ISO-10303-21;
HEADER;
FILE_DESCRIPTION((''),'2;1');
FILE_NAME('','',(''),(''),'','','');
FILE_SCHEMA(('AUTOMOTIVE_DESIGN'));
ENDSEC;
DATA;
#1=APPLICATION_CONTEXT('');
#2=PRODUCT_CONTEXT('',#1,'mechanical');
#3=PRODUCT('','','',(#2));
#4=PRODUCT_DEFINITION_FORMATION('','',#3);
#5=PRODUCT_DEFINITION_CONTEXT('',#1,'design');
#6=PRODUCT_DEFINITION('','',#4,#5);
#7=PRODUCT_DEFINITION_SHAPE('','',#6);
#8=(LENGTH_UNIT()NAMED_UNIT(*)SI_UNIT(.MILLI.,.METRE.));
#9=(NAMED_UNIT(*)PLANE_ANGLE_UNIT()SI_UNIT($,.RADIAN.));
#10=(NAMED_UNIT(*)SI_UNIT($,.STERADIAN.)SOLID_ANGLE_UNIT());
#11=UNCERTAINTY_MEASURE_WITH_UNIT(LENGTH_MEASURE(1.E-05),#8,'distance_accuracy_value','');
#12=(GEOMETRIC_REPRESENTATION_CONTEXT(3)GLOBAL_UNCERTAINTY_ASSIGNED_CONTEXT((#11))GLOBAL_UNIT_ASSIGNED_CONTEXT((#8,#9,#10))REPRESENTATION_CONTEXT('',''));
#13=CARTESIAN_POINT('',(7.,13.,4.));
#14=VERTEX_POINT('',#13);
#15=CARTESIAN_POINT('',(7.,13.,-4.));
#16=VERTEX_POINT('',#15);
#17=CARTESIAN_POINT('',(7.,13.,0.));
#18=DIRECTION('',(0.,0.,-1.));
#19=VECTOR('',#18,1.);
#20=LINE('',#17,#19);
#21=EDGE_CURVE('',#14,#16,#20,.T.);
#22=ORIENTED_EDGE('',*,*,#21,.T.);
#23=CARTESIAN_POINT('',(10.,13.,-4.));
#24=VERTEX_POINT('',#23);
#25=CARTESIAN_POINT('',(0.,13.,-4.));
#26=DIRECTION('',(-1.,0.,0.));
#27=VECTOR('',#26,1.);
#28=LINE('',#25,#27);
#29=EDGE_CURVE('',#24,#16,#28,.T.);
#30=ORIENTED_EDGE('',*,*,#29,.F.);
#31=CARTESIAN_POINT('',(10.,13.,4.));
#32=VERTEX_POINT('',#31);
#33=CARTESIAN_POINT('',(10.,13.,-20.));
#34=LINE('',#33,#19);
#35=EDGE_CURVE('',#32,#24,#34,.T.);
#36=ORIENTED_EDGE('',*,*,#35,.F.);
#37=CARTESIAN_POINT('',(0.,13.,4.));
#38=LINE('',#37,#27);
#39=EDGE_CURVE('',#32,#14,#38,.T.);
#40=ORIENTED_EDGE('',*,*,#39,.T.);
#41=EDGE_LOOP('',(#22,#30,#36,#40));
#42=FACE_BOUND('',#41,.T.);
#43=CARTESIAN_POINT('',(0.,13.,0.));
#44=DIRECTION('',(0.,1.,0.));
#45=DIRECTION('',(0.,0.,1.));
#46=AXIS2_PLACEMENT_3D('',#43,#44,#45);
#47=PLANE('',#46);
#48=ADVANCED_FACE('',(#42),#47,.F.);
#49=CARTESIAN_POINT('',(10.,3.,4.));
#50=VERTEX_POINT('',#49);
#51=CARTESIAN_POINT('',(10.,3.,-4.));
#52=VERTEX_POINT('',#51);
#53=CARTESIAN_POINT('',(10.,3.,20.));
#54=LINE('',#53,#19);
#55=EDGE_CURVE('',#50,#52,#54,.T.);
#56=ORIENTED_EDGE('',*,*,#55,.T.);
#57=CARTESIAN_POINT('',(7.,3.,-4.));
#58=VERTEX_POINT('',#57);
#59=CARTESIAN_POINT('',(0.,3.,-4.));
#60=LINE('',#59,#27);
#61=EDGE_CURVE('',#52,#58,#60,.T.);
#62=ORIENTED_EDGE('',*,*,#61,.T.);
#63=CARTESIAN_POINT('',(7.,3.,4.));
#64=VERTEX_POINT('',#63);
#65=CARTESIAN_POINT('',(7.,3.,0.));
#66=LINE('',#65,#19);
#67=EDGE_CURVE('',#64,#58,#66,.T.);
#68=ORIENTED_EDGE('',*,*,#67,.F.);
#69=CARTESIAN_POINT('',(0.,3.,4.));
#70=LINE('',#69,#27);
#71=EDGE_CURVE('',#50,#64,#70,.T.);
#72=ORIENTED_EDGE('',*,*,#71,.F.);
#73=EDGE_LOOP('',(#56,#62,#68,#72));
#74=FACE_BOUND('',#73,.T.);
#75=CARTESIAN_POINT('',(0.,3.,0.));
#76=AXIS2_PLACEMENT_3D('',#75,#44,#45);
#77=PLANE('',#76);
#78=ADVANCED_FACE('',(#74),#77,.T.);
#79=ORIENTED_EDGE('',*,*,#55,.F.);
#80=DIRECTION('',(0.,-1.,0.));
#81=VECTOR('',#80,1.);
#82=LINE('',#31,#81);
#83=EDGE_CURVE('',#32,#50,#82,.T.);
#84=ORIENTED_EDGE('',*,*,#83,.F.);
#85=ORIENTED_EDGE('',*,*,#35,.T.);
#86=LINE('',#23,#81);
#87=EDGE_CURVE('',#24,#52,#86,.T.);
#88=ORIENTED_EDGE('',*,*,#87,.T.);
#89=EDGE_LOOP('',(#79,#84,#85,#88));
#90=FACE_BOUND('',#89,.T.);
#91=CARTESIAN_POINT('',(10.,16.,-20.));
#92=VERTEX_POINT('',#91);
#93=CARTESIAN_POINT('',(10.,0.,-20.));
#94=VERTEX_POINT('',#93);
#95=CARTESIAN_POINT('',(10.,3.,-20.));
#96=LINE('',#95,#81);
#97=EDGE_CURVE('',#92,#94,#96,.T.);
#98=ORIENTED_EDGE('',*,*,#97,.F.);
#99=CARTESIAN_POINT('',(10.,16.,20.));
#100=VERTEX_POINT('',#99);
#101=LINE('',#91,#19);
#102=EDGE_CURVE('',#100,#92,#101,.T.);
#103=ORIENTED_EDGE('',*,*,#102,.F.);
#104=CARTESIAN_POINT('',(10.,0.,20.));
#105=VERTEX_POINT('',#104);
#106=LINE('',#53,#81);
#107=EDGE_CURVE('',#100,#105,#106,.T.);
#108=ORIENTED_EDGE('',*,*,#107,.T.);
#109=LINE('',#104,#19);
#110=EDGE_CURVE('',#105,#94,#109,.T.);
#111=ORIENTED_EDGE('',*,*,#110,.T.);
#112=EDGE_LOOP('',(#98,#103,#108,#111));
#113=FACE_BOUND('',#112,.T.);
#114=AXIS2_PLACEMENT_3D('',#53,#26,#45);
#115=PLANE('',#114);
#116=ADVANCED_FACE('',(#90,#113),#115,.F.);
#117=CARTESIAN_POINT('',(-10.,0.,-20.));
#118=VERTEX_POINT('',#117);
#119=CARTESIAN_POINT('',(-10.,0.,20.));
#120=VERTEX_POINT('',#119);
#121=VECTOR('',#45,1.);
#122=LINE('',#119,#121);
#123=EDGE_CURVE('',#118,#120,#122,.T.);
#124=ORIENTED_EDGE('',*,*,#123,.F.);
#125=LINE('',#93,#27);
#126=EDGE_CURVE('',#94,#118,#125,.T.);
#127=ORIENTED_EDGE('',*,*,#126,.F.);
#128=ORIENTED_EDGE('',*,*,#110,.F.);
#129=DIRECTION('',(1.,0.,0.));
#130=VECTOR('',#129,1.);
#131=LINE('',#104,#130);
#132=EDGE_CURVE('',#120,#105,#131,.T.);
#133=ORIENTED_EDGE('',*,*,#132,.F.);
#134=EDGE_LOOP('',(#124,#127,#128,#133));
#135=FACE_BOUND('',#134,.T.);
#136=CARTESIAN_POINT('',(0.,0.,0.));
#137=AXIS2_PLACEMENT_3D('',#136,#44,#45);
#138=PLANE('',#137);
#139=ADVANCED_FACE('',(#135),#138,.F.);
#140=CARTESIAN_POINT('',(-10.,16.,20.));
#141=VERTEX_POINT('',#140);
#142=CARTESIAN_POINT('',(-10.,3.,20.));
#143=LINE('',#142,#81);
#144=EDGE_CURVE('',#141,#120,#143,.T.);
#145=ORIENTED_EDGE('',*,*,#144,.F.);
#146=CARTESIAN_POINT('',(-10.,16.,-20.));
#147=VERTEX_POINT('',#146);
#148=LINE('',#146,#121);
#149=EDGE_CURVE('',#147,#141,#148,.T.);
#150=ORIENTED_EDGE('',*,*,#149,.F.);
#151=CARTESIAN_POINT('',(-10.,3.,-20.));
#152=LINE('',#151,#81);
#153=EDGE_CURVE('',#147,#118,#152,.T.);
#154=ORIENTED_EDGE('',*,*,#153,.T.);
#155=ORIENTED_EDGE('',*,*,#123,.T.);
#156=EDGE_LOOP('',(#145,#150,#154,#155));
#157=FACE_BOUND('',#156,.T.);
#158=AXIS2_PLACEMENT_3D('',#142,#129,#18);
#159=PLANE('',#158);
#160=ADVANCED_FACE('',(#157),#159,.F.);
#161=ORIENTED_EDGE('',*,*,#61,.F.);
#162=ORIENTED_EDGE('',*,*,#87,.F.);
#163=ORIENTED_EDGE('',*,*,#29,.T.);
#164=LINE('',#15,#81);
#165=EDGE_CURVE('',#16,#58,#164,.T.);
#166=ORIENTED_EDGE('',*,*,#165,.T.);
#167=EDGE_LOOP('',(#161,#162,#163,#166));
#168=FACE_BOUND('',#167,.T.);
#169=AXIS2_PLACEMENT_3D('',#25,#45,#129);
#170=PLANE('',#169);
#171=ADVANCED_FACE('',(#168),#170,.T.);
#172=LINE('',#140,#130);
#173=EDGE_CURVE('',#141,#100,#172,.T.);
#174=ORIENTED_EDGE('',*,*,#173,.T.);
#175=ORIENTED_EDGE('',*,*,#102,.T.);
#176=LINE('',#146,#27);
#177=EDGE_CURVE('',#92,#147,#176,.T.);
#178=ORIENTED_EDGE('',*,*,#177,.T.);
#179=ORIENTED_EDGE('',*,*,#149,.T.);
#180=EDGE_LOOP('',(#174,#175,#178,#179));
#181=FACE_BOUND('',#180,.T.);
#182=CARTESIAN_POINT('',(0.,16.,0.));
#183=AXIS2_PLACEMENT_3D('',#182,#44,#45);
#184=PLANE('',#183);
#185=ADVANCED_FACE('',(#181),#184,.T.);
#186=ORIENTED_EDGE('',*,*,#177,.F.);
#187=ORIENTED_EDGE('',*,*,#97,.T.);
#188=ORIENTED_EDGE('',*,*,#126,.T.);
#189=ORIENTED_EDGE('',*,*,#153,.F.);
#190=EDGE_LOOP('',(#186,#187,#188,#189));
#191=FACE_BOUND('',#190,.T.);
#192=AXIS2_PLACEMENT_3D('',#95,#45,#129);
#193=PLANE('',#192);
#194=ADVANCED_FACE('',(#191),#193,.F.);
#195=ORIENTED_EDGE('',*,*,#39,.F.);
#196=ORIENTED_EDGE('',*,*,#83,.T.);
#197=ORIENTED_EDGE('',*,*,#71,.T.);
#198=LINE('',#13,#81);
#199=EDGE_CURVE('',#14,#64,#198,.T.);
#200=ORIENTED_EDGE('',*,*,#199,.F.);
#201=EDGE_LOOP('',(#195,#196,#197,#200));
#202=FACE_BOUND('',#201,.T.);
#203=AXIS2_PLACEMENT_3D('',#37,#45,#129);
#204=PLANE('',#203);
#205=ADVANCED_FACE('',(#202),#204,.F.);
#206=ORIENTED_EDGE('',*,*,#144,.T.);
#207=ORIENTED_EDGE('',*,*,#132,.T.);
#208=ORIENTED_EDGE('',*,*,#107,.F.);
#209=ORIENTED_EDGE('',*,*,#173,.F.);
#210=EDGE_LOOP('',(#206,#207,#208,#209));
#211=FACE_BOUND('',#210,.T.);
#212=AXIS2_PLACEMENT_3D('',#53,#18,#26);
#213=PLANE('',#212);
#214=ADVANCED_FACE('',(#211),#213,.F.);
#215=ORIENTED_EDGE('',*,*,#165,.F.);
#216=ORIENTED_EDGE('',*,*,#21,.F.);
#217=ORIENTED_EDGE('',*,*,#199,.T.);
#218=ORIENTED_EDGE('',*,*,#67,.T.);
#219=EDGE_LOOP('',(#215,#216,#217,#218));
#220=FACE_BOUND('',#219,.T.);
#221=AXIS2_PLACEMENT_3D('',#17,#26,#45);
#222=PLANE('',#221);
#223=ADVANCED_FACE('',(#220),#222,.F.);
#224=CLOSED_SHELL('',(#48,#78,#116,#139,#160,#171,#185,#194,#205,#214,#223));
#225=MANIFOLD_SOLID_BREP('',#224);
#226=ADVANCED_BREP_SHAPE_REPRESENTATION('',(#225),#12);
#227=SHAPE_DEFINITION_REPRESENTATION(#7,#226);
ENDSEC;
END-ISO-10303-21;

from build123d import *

# Parameters (mm, degrees)
SKETCH1_W           = 20
SKETCH1_H           = 40
BOSS_EXTRUDE1_DEPTH = 3
BOSS_EXTRUDE2_DEPTH = 10
SKETCH4_W           = 20
SKETCH4_H           = 40
BOSS_EXTRUDE3_DEPTH = 3


with BuildPart() as part:
    # Sketch1 → Boss-Extrude1 (new body)
    with BuildSketch(Plane(origin=(0, 0, 0), x_dir=(1, 0, 0), z_dir=(0, 1, 0))):
        Rectangle(SKETCH1_W, SKETCH1_H)
    extrude(amount=BOSS_EXTRUDE1_DEPTH)

    # Sketch2 → Boss-Extrude2 (add)
    with BuildSketch(Plane(origin=(0, 3, 0), x_dir=(1, 0, 0), z_dir=(0, 1, 0))):
        Polygon((-10, -20), (10, -20), (10, -4), (7, -4), (7, 0), (7, 4), (10, 4), (10, 20), (-10, 20), align=None)
    extrude(amount=BOSS_EXTRUDE2_DEPTH)

    # Sketch4 → Boss-Extrude3 (add)
    with BuildSketch(Plane(origin=(0, 13, 0), x_dir=(1, 0, 0), z_dir=(0, 1, 0))):
        Rectangle(SKETCH4_W, SKETCH4_H)
    extrude(amount=BOSS_EXTRUDE3_DEPTH)


solid = part.part
